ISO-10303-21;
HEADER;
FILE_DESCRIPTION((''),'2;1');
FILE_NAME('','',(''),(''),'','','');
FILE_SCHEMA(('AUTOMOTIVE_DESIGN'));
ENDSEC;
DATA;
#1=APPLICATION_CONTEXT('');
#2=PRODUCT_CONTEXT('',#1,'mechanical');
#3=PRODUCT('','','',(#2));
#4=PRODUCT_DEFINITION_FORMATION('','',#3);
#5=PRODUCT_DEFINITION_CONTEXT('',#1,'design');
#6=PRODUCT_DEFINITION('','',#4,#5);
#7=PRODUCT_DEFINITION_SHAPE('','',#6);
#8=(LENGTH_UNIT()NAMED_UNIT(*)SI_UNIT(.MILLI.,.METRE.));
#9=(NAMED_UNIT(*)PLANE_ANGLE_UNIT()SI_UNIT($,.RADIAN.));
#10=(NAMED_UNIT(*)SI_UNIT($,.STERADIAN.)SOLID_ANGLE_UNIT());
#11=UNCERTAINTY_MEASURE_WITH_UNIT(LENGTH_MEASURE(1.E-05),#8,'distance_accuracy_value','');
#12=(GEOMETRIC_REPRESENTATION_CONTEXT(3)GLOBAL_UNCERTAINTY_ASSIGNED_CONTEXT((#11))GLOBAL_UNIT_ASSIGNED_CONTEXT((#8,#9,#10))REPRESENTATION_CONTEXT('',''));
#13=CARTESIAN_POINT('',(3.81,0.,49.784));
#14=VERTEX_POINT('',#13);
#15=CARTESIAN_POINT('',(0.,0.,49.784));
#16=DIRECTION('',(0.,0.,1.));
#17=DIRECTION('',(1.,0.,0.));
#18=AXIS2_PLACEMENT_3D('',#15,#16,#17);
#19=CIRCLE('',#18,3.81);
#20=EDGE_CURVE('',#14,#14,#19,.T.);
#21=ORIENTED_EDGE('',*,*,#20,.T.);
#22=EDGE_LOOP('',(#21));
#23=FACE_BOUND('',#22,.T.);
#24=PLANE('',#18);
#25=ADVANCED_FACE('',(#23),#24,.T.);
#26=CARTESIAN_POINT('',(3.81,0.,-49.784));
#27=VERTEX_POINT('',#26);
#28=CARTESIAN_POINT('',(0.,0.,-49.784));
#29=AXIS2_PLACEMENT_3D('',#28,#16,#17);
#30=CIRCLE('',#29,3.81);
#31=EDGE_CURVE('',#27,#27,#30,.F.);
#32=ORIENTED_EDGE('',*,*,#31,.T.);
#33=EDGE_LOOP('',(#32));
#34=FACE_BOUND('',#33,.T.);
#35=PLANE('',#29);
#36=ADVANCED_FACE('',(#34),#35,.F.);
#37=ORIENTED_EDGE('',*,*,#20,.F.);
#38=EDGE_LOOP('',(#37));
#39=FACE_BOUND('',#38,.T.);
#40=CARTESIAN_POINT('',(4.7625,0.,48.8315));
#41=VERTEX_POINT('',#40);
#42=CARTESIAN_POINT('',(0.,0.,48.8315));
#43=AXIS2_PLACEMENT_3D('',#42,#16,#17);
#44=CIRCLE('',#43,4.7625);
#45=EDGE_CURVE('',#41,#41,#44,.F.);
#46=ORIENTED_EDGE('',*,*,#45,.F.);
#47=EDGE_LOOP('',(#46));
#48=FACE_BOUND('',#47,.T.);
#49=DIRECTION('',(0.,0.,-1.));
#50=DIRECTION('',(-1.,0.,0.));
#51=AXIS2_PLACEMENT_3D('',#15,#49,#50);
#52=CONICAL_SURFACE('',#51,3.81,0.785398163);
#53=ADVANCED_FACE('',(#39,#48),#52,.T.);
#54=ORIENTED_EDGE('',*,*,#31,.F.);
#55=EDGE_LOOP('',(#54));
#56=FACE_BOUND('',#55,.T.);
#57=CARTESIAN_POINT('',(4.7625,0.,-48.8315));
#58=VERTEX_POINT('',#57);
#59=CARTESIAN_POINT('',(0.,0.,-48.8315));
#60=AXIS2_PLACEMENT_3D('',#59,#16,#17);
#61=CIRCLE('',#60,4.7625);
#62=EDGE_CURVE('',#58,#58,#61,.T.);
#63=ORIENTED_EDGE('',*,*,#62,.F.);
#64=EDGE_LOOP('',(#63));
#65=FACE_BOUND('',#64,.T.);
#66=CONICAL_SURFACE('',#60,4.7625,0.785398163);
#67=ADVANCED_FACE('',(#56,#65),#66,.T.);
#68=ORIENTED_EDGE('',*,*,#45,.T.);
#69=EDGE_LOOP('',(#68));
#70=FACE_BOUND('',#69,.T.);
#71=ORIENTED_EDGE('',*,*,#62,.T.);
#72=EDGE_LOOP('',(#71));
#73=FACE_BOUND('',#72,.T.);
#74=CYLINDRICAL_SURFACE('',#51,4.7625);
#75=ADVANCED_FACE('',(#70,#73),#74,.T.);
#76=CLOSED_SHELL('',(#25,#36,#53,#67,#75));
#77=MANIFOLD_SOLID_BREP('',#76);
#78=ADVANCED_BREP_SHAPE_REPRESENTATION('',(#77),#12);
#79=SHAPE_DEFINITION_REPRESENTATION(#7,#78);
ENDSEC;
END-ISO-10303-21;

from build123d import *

# Parameters (mm, degrees)
SKETCH1_R      = 4.7625
EXTRUDE1_DEPTH = 49.784
CHAMFER1_SIZE  = 0.9525


with BuildPart() as part:
    # Sketch1 → Extrude1 (new body, symmetric)
    with BuildSketch(Plane.XY):
        Circle(SKETCH1_R)
    extrude(amount=EXTRUDE1_DEPTH, both=True)

    # Chamfer1
    chamfer1_edges = [part.edges().sort_by_distance(p)[0] for p in [
        (-4.7625, 0, -49.784),
        (-4.7625, 0, 49.784),
    ]]
    chamfer(chamfer1_edges, length=CHAMFER1_SIZE)


solid = part.part
